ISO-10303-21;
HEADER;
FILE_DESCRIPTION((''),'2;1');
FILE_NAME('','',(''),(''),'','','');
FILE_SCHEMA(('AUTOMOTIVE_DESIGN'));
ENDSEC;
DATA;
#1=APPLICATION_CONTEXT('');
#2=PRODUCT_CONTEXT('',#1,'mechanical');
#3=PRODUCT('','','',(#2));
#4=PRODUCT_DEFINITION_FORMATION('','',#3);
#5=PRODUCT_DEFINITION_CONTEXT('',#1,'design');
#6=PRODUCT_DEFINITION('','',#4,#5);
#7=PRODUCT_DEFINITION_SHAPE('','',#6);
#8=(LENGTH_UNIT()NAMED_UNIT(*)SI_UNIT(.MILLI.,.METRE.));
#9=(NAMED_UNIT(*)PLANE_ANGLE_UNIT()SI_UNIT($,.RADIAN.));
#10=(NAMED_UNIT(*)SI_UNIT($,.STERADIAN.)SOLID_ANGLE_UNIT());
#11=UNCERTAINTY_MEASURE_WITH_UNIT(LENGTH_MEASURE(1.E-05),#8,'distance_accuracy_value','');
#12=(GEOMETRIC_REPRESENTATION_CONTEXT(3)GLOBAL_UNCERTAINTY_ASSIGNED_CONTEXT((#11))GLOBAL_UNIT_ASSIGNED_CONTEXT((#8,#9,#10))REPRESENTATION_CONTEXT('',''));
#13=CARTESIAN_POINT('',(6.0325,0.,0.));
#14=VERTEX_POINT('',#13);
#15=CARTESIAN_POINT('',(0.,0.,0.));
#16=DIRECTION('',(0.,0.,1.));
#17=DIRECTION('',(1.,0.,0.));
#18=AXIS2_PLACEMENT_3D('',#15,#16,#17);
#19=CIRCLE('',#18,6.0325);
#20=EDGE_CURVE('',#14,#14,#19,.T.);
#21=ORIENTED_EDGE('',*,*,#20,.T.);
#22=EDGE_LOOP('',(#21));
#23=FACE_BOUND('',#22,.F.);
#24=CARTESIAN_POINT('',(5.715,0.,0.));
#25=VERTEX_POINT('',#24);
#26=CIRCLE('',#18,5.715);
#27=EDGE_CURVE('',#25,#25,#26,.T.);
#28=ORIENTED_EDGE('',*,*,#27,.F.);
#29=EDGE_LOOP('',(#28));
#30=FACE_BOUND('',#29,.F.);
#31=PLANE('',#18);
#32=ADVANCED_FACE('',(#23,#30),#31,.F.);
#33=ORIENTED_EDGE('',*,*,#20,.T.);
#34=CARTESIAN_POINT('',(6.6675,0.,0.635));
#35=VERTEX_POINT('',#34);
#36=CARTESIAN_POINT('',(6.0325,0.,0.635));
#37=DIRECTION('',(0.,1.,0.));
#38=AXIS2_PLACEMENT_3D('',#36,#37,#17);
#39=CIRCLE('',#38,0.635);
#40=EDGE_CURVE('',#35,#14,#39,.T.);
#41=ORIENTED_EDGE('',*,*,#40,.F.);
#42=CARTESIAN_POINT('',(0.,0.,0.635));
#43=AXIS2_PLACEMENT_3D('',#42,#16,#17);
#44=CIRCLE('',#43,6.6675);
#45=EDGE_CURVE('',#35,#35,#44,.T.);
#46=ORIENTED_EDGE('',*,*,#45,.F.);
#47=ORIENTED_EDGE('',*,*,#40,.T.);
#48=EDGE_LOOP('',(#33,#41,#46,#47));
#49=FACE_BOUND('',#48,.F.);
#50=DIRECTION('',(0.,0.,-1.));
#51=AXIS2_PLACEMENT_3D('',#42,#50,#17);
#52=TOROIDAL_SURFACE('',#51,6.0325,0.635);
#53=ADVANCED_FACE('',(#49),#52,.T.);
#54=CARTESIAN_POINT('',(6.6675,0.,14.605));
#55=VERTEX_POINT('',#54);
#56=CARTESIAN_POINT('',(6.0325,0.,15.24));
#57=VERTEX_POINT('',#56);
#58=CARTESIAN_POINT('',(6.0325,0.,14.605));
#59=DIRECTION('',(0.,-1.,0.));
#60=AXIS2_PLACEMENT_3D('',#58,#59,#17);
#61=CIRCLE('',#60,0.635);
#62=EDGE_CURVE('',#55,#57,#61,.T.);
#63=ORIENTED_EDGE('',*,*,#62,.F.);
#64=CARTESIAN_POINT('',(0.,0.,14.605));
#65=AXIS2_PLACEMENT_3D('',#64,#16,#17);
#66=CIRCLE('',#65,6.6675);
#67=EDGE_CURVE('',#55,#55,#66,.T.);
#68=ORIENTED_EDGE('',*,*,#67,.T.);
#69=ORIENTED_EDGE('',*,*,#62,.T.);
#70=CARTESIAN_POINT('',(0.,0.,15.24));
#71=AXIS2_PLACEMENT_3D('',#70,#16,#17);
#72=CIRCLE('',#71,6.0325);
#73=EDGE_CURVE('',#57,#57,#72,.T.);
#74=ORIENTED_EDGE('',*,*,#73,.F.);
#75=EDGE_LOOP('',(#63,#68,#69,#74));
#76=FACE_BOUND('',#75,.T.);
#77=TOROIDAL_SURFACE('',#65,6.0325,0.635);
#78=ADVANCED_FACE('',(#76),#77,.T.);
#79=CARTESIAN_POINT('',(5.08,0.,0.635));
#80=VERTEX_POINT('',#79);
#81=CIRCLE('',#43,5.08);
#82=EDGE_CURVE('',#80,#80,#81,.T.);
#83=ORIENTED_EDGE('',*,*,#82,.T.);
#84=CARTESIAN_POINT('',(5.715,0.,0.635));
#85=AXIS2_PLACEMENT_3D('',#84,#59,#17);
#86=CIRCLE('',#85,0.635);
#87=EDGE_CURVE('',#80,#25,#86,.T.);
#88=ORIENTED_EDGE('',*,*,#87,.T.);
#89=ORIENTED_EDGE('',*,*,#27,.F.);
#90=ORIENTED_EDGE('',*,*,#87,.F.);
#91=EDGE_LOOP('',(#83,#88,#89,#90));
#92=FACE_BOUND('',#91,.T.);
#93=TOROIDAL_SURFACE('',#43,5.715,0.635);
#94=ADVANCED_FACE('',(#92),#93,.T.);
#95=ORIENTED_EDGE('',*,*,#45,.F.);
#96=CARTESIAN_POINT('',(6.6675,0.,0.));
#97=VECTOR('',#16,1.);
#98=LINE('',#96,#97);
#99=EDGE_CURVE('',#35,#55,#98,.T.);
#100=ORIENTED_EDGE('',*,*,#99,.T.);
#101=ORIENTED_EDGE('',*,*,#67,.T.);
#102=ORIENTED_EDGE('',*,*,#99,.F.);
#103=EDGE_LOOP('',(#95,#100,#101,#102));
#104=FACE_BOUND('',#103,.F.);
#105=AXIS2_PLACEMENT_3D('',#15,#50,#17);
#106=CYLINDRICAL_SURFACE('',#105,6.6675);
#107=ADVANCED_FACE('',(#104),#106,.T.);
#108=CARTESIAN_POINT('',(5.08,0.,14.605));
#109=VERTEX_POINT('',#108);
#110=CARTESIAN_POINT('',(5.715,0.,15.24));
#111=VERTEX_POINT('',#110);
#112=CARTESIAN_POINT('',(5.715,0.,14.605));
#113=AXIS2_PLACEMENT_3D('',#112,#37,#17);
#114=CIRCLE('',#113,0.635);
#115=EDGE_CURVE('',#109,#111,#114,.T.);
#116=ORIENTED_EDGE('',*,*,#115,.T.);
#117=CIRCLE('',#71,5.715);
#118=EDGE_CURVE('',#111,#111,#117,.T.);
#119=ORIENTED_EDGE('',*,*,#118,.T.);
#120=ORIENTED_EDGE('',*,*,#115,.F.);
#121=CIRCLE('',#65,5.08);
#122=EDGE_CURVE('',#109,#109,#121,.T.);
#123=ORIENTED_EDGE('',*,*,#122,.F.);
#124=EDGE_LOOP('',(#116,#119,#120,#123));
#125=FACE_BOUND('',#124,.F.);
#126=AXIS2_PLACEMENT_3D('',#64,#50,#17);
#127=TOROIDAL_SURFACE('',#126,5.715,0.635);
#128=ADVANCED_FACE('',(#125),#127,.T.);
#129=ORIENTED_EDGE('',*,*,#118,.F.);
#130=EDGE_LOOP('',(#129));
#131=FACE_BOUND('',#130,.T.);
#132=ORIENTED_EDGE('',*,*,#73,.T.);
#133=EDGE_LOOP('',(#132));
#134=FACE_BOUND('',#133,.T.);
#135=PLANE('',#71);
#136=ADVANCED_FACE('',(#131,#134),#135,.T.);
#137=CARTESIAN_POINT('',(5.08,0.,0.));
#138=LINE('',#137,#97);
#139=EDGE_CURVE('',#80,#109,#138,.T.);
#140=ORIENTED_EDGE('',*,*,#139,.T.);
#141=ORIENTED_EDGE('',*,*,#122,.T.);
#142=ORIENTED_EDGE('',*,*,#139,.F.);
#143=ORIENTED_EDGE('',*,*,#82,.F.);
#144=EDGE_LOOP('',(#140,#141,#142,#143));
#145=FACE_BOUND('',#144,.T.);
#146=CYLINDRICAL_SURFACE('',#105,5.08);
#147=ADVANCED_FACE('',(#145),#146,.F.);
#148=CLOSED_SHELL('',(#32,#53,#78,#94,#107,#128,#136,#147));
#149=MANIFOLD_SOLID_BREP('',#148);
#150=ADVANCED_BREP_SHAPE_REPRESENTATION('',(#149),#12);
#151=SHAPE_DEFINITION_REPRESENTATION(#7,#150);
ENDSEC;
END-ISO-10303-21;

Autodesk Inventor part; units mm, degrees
ref_plane "YZ Plane" through (0, 0, 0) normal (1, 0, 0) x (0, 1, 0)
ref_plane "XZ Plane" through (0, 0, 0) normal (0, 1, 0) x (-1, 0, 0)
ref_plane "XY Plane" through (0, 0, 0) normal (0, 0, 1) x (1, 0, 0)
sketch "Sketch1" plane through (0, 0, 0) normal (0, 0, 1) x (1, 0, 0)
  circle A0 centre (0, 0) radius 6.6675
  circle A1 centre (0, 0) radius 5.08
  dimension "d0" = 13.335
  dimension "d1" = 10.16
extrude "Extrusion1" add sketch "Sketch1" along normal blind 15.24
fillet "Fillet1" radius 0.635 4 edges at (-6.6675, 0, 15.24) (-5.08, 0, 15.24) (-6.6675, 0, 0) (-5.08, 0, 0)
properties part number "Spacer .60"
